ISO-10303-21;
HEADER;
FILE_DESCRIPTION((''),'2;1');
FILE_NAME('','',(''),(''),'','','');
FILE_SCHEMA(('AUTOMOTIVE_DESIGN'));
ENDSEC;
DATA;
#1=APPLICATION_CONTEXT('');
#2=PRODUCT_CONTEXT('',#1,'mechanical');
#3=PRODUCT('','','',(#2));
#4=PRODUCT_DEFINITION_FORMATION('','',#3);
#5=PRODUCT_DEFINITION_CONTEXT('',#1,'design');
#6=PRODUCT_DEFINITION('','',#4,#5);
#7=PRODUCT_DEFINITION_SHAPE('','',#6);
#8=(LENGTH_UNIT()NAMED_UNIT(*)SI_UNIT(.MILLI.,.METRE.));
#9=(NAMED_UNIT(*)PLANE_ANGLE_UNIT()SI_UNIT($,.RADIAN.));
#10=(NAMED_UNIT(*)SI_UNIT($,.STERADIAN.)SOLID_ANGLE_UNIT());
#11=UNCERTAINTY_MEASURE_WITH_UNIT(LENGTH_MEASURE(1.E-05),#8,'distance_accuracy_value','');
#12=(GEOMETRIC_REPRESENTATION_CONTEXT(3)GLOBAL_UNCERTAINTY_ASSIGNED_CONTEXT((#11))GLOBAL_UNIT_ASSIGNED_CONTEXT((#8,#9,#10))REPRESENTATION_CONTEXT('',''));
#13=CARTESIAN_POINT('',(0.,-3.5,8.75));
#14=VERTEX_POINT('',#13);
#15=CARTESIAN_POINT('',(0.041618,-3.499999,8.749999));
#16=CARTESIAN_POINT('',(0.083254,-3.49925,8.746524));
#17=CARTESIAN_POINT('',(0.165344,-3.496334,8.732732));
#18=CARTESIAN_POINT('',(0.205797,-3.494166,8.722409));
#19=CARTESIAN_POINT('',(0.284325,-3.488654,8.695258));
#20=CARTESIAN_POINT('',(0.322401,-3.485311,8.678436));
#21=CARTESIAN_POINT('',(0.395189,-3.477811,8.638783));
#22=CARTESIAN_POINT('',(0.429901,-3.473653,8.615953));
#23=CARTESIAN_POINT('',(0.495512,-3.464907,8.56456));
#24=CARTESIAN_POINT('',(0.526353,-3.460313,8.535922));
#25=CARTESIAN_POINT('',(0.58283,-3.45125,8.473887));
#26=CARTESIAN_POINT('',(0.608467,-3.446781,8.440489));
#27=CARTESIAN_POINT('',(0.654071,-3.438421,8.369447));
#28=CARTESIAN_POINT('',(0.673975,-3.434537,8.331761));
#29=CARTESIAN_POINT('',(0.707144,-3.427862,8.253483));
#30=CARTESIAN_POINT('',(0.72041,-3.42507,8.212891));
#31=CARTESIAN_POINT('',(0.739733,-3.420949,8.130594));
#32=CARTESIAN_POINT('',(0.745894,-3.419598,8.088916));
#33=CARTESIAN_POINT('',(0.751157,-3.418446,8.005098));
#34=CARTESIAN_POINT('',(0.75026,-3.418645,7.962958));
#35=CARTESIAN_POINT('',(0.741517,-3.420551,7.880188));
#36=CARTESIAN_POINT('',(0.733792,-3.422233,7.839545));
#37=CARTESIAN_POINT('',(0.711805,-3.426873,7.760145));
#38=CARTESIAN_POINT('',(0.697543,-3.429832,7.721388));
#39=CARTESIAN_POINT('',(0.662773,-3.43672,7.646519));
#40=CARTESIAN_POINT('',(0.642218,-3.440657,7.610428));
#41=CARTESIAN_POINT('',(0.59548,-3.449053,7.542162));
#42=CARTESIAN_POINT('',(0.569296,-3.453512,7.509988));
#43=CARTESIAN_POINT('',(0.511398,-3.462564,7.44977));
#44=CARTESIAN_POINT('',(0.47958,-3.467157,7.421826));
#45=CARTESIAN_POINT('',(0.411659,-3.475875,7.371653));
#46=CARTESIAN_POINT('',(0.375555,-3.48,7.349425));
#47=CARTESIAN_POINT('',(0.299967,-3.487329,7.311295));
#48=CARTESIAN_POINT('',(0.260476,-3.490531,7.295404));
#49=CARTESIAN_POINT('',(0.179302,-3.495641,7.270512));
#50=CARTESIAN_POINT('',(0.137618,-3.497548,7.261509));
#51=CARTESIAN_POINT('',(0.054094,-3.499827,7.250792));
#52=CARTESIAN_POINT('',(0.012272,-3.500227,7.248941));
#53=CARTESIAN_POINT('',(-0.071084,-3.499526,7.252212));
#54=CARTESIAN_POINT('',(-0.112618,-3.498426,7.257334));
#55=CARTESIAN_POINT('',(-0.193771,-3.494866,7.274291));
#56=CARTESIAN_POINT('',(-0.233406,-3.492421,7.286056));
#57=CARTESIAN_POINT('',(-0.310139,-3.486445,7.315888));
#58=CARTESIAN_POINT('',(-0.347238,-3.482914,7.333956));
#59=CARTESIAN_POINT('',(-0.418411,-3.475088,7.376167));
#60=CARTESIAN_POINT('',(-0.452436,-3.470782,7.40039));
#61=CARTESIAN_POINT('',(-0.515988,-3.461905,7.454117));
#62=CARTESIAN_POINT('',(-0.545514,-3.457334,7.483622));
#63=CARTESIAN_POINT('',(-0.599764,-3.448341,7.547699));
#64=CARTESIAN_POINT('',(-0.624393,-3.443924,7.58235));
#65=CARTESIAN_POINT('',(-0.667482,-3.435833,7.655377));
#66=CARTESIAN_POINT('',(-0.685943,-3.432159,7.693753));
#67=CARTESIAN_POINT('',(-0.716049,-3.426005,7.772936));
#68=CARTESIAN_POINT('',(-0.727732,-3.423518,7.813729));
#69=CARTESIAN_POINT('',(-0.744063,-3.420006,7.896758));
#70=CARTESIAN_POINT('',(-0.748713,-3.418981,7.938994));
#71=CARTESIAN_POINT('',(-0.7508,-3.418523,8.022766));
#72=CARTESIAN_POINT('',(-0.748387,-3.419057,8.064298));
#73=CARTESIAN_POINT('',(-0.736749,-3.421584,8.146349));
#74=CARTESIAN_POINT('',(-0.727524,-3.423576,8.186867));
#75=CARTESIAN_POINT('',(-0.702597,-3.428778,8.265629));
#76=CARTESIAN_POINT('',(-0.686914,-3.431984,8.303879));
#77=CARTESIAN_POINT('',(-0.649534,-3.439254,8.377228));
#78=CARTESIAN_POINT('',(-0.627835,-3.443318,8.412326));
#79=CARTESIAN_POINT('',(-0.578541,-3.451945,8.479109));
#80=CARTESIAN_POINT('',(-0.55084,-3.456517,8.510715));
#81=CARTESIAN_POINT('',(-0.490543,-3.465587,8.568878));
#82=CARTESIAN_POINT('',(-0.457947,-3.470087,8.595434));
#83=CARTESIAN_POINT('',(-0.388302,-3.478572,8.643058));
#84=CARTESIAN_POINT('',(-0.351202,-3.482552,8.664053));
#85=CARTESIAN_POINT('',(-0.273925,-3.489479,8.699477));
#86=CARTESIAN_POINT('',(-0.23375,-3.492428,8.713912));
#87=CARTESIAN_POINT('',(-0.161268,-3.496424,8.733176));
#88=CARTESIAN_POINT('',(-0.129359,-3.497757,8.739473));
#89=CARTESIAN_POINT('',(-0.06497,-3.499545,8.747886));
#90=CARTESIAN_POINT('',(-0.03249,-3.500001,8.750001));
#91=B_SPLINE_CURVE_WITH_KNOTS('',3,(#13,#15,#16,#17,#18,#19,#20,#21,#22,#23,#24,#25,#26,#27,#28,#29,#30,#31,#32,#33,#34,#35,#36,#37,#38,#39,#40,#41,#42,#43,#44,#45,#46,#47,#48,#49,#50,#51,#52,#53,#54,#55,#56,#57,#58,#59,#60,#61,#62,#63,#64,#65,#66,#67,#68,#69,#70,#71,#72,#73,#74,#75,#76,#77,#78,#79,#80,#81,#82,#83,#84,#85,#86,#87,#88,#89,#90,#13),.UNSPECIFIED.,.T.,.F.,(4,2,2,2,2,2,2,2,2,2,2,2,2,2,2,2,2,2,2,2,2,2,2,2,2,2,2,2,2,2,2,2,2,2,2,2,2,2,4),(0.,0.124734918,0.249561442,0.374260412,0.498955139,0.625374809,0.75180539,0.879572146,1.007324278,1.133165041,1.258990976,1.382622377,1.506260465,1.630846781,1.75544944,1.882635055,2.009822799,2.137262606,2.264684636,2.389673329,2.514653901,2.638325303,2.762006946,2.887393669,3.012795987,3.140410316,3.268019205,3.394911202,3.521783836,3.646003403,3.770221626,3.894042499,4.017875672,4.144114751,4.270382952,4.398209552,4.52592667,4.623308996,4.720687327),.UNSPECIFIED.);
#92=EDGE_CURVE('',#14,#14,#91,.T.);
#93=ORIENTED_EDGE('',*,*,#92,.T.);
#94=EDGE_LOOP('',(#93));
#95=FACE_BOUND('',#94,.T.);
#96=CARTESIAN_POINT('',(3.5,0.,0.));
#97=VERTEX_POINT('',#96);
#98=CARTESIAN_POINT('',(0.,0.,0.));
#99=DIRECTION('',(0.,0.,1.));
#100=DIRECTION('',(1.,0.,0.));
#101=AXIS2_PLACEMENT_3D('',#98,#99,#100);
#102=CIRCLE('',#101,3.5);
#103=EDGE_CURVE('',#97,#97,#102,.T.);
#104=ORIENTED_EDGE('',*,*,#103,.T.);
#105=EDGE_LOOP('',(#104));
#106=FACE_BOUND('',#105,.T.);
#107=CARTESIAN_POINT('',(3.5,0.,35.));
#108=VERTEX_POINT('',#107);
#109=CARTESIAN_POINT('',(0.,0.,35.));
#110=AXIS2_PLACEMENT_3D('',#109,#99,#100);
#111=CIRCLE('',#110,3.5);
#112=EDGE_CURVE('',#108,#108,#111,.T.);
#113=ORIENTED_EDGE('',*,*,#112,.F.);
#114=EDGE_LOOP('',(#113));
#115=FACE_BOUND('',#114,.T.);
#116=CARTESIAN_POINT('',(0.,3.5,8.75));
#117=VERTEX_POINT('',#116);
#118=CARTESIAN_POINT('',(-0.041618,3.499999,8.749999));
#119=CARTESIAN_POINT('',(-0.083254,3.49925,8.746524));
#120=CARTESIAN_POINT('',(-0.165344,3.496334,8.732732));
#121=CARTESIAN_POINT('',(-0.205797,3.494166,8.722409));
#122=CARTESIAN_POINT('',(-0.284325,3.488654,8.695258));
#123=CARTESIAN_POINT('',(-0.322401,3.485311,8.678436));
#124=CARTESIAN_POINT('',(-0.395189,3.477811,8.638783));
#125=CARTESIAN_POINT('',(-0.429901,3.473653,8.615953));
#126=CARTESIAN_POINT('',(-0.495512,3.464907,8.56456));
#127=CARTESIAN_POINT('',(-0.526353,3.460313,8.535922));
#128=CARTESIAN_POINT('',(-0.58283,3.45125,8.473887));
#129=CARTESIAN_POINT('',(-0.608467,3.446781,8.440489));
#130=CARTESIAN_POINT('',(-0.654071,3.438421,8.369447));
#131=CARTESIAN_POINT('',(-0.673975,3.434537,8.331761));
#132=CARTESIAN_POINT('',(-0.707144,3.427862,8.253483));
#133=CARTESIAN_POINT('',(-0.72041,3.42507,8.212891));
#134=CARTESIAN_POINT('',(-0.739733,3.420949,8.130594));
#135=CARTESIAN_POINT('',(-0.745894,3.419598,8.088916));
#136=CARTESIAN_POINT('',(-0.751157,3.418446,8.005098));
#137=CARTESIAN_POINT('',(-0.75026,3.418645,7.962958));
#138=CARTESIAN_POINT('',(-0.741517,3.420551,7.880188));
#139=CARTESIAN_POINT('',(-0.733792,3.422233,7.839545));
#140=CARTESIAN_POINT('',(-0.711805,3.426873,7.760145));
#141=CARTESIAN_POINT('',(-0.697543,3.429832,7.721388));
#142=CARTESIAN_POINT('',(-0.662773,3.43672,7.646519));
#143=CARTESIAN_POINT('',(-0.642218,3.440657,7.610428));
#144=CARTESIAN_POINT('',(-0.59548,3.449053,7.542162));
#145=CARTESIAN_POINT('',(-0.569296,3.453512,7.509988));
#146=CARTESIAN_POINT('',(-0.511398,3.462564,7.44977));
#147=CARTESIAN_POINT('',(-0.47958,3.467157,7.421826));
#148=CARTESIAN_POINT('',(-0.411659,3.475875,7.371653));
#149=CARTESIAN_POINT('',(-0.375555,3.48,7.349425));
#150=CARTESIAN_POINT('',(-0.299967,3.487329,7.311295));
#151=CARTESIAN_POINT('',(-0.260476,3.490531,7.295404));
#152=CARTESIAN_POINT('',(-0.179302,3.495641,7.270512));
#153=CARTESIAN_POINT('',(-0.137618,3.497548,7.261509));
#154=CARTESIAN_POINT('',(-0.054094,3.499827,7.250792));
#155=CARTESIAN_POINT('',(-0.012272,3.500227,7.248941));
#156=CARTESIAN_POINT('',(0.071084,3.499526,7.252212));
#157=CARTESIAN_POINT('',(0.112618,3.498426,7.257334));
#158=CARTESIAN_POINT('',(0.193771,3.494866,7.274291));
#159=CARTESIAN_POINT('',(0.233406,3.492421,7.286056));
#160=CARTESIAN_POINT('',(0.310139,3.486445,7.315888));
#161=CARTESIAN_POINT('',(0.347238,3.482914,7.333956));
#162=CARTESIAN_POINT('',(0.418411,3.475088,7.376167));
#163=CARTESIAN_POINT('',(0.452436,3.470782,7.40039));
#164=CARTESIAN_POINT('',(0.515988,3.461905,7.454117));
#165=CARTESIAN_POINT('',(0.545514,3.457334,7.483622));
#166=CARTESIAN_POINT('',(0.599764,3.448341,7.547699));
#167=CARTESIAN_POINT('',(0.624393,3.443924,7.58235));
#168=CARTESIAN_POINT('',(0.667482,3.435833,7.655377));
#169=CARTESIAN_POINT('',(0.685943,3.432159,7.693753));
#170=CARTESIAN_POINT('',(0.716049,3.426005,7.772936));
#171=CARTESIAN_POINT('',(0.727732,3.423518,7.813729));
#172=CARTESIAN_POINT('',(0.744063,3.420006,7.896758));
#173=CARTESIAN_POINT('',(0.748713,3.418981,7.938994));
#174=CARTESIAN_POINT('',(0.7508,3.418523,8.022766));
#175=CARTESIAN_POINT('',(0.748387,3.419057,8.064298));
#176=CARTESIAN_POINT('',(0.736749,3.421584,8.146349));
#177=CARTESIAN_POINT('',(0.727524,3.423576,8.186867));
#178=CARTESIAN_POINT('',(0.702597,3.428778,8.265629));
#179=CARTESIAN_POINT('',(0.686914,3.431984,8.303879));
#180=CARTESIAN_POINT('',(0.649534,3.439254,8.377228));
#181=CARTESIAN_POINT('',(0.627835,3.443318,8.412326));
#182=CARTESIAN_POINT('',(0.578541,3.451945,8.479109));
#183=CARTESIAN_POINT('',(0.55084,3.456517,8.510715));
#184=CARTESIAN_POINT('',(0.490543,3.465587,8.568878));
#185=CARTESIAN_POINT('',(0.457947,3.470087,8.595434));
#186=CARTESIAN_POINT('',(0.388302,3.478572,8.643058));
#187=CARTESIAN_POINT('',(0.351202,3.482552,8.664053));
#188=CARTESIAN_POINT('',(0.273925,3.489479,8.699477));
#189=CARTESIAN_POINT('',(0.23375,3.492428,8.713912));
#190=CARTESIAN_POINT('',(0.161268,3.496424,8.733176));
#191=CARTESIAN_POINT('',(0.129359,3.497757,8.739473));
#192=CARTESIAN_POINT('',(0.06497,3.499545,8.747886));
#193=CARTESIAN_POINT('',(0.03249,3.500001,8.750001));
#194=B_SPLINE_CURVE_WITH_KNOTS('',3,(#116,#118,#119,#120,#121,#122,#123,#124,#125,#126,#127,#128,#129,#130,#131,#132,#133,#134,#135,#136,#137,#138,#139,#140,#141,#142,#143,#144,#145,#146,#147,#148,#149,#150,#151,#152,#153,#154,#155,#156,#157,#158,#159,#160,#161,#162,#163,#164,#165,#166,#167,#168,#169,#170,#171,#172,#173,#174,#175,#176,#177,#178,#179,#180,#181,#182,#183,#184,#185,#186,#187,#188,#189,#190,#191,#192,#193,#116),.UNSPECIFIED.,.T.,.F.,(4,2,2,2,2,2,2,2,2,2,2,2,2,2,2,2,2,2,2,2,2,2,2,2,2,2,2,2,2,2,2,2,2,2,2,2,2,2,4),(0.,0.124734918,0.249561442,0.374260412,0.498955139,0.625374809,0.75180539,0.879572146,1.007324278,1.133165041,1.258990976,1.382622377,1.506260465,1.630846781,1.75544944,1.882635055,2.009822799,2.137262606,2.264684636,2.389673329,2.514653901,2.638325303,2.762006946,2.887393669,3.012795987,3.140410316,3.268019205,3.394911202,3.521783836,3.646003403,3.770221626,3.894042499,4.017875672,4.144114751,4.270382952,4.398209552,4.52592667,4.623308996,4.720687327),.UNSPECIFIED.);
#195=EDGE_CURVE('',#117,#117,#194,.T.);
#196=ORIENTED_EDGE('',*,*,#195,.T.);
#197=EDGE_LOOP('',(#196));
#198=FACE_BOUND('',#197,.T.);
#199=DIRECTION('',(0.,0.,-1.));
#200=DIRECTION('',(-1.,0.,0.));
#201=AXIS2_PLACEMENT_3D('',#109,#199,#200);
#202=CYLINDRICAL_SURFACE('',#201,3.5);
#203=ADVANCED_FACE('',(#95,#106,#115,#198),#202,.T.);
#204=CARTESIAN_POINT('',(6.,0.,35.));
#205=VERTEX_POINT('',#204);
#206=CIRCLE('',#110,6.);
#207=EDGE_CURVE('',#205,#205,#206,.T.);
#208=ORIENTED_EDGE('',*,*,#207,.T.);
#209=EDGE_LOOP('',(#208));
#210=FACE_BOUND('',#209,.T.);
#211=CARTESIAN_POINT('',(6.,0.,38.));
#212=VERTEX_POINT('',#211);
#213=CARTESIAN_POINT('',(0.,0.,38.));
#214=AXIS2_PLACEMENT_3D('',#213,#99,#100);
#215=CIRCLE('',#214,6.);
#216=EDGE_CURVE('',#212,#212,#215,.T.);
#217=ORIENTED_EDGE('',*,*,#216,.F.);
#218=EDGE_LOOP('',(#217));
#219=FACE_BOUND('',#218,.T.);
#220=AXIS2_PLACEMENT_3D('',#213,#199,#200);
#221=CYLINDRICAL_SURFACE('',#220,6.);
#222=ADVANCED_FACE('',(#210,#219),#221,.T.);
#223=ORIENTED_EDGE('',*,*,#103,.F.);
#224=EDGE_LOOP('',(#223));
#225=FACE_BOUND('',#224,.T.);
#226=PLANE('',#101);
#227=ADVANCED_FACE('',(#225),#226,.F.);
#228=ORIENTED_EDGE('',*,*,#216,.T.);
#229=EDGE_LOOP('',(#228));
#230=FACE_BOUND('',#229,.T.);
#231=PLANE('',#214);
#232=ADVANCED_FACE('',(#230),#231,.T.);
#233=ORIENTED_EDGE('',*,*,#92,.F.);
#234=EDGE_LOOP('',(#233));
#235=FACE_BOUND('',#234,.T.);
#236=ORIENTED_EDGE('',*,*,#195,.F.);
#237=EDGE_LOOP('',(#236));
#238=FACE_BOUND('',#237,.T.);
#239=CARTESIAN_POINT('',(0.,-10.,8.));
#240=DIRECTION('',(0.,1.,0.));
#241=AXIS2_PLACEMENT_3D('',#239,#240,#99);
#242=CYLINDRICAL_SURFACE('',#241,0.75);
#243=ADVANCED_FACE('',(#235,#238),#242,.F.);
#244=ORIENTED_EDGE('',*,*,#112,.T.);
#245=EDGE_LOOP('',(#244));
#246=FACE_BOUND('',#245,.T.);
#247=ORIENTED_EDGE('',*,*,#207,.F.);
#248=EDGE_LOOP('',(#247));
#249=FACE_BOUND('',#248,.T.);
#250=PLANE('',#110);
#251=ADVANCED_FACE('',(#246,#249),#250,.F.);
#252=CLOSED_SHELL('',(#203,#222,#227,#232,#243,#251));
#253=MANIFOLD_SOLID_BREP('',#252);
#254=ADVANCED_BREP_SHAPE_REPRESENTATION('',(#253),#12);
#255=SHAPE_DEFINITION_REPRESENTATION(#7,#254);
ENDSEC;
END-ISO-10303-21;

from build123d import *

# Parameters (mm, degrees)
SKETCH1_R           = 3.5
BOSS_EXTRUDE1_DEPTH = 35
CUT_EXTRUDE1_START  = 10
SKETCH3_R           = 0.75
CUT_EXTRUDE1_DEPTH  = 20
SKETCH4_R           = 6
BOSS_EXTRUDE2_DEPTH = 3


with BuildPart() as part:
    # Sketch1 → Boss-Extrude1 (new body)
    with BuildSketch(Plane.XY):
        Circle(SKETCH1_R)
    extrude(amount=BOSS_EXTRUDE1_DEPTH)

    # Sketch3 → Cut-Extrude1 (cut)
    with BuildSketch(Plane(origin=(0, 0, 0), x_dir=(1, 0, 0), z_dir=(0, 1, 0)).offset(CUT_EXTRUDE1_START)):
        with Locations(Location((0, -8, 0), (0, 0, 270))):
            Circle(SKETCH3_R)
    extrude(amount=-CUT_EXTRUDE1_DEPTH, mode=Mode.SUBTRACT)

    # Sketch4 → Boss-Extrude2 (add)
    with BuildSketch(Plane.XY.offset(35)):
        Circle(SKETCH4_R)
    extrude(amount=BOSS_EXTRUDE2_DEPTH)


solid = part.part
